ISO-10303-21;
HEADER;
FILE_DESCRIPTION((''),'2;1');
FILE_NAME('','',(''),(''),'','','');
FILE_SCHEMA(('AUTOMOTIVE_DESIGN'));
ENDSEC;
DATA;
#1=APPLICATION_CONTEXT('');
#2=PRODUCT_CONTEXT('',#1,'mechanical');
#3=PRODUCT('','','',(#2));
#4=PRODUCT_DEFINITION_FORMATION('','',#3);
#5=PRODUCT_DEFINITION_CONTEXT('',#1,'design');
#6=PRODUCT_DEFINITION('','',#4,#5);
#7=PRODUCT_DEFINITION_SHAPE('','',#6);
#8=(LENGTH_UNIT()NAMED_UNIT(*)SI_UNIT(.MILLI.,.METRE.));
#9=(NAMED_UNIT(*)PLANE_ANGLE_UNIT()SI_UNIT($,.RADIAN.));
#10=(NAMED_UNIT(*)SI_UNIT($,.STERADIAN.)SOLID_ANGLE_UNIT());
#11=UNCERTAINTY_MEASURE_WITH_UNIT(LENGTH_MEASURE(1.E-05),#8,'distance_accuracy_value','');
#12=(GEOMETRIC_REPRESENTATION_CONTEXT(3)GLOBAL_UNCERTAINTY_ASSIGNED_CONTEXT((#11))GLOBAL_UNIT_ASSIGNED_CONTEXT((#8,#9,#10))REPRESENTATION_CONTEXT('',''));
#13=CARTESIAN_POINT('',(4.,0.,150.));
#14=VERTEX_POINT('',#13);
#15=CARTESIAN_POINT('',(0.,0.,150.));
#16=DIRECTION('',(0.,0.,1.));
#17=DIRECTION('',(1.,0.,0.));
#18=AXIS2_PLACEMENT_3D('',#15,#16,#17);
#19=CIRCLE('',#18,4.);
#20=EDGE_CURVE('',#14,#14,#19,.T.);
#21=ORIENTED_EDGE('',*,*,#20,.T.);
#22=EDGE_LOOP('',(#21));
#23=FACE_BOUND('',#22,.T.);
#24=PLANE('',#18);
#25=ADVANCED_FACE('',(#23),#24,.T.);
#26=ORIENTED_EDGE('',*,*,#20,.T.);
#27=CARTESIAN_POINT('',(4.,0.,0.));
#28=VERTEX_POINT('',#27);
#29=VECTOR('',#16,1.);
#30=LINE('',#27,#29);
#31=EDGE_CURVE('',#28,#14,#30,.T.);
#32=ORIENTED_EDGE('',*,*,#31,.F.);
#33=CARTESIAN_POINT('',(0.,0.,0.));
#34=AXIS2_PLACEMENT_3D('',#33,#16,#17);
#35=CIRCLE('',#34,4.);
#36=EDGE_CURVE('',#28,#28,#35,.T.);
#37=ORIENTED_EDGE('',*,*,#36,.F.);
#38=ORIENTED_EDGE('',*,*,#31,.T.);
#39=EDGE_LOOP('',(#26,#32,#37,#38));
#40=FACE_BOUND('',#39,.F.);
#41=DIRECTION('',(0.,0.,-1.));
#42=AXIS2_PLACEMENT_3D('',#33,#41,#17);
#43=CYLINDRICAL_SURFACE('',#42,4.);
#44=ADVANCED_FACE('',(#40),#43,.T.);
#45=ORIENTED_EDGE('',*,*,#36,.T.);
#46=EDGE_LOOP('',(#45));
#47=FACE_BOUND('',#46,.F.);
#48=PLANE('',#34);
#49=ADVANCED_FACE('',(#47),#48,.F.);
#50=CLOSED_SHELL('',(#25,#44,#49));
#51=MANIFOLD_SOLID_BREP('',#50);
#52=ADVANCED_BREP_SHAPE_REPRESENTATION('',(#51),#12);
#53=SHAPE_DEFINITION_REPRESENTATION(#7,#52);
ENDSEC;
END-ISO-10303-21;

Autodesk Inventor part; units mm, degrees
ref_plane "YZ Plane" through (0, 0, 0) normal (1, 0, 0) x (0, 1, 0)
ref_plane "XZ Plane" through (0, 0, 0) normal (0, 1, 0) x (-1, 0, 0)
ref_plane "XY Plane" through (0, 0, 0) normal (0, 0, 1) x (1, 0, 0)
sketch "Sketch1" plane through (0, 0, 0) normal (0, 0, 1) x (1, 0, 0)
  circle A0 centre (0, 0) radius 4
  dimension "d0" = 8
extrude "Extrusion1" add sketch "Sketch1" along normal blind 150
properties part number "Ty phi 8 dai 150"
